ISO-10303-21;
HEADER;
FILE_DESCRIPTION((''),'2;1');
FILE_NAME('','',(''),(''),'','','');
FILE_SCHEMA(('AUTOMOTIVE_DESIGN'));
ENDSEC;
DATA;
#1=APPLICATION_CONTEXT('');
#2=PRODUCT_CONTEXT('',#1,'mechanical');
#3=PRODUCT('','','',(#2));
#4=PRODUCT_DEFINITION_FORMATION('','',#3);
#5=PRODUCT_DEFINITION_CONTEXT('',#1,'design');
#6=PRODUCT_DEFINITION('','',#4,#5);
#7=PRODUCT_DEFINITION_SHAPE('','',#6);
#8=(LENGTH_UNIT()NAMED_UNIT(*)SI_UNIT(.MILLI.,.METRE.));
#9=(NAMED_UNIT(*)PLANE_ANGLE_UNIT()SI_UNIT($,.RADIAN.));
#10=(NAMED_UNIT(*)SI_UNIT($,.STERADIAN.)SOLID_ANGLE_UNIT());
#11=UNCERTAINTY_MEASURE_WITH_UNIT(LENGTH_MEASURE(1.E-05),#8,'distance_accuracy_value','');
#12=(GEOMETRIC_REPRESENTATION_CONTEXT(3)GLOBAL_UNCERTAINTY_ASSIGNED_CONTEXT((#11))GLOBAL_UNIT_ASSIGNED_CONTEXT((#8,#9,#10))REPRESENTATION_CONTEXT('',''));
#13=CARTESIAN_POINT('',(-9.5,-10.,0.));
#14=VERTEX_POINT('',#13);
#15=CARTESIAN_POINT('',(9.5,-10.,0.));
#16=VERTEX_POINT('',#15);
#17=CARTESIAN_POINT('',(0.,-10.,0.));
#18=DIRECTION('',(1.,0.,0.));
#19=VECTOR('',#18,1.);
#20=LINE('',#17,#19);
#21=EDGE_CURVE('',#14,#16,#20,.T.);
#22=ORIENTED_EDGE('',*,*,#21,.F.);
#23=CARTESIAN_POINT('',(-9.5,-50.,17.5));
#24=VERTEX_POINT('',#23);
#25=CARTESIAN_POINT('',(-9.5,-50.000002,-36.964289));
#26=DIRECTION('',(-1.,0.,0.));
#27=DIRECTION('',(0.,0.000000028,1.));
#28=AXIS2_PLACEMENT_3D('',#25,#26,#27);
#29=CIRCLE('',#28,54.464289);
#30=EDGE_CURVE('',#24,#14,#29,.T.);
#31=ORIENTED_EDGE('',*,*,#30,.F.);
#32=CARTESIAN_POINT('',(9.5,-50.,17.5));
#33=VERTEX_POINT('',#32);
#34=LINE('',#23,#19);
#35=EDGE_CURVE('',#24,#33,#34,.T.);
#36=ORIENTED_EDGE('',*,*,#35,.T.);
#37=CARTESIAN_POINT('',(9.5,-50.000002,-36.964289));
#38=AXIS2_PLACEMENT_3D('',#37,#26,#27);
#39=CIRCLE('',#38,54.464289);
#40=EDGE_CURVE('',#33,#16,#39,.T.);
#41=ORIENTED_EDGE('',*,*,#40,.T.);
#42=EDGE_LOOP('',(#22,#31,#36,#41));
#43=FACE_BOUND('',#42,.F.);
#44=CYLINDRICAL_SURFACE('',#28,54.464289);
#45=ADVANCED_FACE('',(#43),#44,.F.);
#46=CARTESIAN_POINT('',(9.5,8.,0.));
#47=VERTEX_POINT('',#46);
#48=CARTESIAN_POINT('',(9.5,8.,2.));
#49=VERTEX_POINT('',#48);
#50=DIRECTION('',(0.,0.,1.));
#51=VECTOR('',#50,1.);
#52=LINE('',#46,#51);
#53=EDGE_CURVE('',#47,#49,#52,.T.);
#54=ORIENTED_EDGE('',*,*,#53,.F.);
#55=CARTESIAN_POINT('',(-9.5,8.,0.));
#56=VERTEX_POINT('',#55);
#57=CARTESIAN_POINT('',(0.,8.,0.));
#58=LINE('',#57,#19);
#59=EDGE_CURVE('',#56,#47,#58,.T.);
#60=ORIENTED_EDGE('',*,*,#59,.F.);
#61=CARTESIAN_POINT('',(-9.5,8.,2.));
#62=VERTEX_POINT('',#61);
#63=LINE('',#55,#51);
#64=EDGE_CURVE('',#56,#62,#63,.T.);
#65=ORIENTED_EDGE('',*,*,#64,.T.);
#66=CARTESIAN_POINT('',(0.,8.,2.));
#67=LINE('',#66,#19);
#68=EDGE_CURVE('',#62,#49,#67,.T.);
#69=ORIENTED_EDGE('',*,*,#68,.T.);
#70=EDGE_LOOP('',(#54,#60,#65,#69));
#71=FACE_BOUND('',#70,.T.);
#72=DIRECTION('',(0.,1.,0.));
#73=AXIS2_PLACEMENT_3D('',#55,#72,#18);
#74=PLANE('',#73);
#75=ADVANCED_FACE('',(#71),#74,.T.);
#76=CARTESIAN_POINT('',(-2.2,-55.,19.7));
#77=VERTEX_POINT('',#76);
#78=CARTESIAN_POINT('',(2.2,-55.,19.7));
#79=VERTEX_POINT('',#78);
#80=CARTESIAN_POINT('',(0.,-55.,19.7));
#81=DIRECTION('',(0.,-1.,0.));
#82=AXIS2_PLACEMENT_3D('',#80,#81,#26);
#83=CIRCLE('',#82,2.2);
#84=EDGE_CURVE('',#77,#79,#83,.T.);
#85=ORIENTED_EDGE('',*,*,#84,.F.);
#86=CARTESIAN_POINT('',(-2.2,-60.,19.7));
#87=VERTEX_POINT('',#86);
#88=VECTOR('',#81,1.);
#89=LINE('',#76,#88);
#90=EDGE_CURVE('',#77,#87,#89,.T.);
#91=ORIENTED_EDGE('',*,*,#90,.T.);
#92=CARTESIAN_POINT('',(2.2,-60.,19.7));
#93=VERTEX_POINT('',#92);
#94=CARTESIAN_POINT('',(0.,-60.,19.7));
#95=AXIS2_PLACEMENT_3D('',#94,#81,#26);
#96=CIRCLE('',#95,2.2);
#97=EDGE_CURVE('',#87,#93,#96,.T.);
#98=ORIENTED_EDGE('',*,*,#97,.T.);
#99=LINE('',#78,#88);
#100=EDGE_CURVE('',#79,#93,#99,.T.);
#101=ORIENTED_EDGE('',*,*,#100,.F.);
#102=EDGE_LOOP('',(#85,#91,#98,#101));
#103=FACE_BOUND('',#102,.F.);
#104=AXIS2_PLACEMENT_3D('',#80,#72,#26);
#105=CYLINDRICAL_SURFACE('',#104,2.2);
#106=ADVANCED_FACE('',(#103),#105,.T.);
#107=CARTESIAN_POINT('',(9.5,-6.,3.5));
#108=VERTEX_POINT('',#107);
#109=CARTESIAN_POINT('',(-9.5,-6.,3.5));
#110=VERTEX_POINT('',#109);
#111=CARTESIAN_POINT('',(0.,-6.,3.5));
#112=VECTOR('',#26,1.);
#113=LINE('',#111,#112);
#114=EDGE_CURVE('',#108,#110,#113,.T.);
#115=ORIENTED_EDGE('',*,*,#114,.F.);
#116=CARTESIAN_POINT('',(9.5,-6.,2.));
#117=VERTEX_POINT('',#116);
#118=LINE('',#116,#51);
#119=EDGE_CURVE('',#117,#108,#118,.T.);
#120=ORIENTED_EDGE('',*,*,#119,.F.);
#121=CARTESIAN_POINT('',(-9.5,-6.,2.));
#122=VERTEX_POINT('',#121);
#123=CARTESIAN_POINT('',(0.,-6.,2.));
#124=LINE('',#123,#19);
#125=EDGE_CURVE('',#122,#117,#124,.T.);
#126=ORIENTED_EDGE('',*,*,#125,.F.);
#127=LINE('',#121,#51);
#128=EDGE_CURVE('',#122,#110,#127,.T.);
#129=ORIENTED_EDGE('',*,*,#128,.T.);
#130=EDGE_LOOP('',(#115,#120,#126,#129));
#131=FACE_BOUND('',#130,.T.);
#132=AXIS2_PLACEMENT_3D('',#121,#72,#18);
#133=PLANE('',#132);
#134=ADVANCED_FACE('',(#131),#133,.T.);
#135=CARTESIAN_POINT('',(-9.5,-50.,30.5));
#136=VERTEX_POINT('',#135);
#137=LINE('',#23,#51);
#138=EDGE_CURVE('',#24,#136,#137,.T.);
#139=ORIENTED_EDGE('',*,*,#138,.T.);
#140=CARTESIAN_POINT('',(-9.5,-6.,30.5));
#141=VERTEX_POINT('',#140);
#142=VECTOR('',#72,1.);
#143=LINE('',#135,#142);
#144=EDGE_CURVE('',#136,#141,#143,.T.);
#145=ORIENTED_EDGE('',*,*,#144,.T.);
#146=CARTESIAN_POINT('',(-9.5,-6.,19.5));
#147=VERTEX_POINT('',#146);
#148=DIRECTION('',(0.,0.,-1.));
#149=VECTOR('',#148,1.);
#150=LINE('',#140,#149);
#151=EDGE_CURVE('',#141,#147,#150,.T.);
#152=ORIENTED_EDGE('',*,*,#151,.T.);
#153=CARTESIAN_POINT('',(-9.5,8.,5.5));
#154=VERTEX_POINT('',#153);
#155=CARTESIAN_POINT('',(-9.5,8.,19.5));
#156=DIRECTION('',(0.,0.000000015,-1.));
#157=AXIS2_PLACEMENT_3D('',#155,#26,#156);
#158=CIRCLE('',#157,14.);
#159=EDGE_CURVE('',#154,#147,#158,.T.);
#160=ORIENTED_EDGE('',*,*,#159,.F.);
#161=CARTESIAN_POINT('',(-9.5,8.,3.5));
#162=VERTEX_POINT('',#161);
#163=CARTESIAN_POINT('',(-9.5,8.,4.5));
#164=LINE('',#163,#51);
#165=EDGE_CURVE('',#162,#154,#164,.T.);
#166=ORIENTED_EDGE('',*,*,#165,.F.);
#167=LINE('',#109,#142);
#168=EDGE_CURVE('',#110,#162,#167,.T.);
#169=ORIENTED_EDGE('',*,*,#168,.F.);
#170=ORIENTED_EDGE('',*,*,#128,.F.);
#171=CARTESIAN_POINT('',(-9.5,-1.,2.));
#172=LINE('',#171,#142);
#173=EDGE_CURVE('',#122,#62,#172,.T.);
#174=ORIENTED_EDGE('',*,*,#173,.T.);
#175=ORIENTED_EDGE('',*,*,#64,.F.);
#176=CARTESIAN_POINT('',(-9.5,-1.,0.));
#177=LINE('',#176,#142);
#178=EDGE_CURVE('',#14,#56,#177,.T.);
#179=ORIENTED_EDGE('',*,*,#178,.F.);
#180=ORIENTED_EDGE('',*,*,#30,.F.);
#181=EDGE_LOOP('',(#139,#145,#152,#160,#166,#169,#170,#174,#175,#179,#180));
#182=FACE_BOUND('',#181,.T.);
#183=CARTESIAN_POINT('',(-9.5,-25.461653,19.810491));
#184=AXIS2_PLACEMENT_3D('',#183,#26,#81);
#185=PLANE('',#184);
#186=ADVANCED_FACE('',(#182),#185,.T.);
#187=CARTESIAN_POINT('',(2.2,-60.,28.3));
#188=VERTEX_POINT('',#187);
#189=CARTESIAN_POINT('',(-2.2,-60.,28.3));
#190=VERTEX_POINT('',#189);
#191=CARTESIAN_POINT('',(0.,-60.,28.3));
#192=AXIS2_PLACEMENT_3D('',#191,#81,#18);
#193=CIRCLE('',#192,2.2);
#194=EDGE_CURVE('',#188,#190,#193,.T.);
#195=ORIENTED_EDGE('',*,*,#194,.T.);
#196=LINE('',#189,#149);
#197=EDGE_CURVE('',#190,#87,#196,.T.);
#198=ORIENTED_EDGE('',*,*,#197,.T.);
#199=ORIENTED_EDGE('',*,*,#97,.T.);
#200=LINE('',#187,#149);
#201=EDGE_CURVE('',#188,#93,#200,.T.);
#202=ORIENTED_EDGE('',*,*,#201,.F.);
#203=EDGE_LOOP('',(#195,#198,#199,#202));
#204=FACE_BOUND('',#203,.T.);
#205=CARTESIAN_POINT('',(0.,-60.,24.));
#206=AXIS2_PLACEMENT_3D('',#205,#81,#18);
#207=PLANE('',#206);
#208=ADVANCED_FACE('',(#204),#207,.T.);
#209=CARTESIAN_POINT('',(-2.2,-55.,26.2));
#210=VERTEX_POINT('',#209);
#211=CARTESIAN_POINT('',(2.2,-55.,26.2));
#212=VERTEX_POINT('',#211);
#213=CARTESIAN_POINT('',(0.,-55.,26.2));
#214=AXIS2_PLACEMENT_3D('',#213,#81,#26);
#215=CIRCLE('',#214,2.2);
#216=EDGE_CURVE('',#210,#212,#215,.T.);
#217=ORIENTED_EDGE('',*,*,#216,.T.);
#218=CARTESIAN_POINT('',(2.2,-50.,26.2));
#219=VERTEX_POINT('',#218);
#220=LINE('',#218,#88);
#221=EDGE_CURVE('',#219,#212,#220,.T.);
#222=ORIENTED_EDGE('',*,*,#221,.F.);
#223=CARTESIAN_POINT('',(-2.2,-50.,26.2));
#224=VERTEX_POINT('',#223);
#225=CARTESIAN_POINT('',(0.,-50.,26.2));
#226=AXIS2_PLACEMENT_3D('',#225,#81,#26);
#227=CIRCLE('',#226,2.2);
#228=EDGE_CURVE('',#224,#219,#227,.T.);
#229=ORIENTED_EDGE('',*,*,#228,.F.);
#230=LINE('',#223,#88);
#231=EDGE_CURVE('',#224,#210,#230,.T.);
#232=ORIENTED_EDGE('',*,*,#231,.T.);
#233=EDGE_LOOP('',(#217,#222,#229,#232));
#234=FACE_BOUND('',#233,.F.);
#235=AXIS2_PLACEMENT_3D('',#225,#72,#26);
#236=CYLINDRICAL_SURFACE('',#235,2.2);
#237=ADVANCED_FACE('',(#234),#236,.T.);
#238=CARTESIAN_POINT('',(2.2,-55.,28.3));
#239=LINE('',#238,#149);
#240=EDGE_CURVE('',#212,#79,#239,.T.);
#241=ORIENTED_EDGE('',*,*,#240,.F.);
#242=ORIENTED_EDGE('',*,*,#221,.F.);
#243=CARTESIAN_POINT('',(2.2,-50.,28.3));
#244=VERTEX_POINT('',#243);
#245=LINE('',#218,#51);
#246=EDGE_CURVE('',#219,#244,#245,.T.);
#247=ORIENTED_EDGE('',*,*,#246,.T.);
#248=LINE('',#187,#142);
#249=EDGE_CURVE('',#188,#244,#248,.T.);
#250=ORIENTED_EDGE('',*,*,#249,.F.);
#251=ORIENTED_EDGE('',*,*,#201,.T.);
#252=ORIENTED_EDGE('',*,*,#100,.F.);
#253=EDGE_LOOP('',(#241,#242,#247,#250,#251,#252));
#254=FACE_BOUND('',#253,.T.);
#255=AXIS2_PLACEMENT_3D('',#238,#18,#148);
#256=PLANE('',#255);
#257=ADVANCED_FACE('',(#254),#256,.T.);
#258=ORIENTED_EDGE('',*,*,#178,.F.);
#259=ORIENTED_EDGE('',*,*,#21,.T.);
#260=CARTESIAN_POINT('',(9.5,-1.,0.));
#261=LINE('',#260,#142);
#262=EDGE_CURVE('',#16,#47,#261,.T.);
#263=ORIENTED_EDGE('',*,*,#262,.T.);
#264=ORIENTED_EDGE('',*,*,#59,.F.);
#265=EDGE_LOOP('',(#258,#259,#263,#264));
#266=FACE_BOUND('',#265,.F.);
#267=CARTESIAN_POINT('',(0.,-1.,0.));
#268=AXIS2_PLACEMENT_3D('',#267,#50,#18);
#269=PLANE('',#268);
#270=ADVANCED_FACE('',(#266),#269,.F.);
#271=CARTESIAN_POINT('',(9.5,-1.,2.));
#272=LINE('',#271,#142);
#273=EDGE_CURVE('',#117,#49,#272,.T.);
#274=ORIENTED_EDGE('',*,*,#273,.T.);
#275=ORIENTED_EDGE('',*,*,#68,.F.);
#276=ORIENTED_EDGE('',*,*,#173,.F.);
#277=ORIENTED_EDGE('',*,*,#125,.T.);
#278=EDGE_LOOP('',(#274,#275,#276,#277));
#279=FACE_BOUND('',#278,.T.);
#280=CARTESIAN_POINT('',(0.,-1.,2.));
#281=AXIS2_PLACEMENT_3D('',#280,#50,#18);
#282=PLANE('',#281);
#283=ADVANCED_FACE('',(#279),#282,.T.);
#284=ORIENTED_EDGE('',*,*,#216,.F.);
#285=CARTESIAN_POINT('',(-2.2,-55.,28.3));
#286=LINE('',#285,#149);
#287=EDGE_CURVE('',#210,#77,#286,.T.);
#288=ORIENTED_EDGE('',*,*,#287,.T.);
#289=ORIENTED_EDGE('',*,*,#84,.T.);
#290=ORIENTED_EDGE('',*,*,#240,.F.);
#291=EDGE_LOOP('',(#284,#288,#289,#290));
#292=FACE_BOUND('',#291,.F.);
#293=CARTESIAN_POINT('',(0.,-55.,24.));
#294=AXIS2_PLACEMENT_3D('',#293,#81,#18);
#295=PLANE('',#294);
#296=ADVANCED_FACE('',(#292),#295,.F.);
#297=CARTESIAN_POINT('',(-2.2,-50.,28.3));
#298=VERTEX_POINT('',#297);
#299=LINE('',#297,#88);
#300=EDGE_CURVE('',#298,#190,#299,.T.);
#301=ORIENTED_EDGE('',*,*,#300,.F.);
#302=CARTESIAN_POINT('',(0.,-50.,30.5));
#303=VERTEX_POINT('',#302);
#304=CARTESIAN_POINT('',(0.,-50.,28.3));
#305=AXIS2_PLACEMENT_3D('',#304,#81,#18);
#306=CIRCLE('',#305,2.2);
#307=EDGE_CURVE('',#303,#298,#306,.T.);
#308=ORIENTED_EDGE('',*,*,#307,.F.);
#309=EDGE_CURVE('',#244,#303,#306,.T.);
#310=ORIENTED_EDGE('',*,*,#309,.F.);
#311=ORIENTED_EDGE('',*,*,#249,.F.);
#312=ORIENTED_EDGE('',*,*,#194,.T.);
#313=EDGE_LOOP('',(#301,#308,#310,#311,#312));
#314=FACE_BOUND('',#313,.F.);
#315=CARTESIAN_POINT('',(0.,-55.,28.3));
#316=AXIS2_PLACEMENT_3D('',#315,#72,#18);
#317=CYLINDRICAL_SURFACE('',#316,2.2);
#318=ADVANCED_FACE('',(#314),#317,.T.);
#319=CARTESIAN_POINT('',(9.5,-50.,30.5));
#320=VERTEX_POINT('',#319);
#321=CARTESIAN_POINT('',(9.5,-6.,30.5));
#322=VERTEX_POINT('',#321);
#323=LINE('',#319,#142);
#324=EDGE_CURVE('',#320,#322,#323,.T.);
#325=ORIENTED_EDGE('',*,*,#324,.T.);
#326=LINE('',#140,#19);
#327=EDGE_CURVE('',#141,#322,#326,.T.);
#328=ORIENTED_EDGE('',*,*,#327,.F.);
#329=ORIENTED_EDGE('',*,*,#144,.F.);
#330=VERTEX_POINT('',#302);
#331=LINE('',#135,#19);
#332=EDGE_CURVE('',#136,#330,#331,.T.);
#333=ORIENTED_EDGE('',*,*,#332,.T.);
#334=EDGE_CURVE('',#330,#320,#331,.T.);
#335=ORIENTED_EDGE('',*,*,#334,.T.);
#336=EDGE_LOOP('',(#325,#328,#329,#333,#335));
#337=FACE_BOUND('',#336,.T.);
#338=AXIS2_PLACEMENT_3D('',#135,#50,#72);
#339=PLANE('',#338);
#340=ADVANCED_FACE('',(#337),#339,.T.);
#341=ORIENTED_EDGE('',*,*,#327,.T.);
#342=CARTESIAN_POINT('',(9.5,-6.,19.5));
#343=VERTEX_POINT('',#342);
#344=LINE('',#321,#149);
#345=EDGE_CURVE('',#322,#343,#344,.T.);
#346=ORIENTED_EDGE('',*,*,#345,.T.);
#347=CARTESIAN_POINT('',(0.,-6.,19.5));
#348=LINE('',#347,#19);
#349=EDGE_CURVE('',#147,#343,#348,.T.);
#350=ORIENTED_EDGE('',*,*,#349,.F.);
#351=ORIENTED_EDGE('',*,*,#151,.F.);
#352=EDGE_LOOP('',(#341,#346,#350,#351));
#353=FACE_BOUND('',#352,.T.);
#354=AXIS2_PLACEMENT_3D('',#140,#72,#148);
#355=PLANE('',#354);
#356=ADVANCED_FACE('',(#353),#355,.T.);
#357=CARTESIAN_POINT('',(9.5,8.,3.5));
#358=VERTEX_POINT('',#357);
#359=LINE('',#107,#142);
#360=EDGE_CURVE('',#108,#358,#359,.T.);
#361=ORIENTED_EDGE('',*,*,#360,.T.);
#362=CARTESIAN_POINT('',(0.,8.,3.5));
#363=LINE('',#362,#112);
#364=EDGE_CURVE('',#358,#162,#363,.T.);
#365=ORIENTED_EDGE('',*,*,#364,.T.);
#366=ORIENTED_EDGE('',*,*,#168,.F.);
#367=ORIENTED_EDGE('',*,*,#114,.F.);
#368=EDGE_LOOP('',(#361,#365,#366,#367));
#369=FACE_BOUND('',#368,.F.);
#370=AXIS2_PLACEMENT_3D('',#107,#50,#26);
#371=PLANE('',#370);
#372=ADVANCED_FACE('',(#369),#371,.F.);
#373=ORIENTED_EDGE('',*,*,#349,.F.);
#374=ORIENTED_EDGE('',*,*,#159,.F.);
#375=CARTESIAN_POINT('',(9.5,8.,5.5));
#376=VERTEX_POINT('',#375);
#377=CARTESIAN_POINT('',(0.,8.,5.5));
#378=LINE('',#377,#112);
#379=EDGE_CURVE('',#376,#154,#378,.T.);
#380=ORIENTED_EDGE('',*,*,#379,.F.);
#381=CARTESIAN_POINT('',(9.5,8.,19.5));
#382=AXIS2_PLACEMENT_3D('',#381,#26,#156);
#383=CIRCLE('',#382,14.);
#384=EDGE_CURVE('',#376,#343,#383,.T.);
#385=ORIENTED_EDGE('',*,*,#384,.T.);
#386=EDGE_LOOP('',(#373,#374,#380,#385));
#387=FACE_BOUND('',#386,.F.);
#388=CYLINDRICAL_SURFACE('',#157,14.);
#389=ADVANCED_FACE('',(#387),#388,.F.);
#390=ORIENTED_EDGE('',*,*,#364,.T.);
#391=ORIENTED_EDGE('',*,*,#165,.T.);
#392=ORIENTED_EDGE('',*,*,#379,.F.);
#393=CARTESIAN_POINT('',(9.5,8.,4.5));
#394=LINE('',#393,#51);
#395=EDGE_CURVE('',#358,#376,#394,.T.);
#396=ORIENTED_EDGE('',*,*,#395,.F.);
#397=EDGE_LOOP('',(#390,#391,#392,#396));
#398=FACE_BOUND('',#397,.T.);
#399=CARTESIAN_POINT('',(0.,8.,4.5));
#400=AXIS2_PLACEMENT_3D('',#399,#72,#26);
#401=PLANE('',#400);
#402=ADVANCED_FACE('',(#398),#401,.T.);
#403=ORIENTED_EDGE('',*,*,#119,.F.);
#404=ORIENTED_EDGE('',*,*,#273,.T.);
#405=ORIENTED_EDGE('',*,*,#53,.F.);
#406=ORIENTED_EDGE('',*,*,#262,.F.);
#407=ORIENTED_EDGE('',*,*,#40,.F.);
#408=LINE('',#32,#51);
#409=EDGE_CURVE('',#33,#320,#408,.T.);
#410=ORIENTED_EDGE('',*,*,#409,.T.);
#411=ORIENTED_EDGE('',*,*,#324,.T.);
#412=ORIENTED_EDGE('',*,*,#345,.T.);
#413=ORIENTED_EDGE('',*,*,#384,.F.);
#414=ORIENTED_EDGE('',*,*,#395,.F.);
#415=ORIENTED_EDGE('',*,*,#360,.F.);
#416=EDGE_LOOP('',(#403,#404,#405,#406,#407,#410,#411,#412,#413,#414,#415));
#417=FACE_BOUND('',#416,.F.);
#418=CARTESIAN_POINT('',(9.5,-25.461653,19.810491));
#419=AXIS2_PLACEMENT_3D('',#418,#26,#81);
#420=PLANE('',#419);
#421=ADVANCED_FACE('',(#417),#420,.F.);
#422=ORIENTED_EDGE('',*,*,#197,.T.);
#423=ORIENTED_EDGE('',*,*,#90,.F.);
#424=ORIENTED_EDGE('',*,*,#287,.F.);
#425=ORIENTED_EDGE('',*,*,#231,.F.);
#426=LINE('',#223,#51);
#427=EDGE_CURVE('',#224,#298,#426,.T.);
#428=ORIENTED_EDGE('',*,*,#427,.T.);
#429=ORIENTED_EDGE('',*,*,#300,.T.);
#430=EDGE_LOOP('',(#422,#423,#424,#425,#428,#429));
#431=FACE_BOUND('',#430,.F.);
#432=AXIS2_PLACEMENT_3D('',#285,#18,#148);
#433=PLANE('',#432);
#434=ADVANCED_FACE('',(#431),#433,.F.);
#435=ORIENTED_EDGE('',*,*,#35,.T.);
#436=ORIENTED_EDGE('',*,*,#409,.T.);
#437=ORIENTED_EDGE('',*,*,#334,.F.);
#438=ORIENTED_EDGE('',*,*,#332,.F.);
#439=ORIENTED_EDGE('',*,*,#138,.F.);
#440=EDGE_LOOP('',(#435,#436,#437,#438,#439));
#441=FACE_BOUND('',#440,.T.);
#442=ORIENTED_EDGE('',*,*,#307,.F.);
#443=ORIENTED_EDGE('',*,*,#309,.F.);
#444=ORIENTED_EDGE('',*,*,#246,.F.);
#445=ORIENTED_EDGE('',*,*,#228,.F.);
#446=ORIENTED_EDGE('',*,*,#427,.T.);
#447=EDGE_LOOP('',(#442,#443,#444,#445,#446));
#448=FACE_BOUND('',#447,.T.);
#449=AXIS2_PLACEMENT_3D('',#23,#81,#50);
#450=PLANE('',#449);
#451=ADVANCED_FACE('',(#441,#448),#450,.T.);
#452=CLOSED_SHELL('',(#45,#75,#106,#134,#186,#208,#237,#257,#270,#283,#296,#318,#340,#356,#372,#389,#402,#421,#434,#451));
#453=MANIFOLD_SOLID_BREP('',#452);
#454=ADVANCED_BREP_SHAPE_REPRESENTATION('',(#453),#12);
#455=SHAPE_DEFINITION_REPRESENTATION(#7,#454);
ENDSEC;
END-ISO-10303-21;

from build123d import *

# Parameters (mm, degrees)
SKETCH_W     = 19
SKETCH_H     = 18
PAD_DEPTH    = 2
SKETCH001_W  = 19
SKETCH001_H  = 4
PAD001_DEPTH = 3.5
SKETCH002_W  = 19
SKETCH002_H  = 2
PAD002_DEPTH = 14
SKETCH003_W  = 19
SKETCH003_H  = 4
PAD003_DEPTH = 14
PAD004_DEPTH = 19
PAD005_DEPTH = 19
PAD006_DEPTH = 5
PAD007_DEPTH = 5


with BuildPart() as part:
    # Sketch → Pad (new body)
    with BuildSketch(Plane.XY):
        with Locations((0, -1)):
            Rectangle(SKETCH_W, SKETCH_H)
    extrude(amount=PAD_DEPTH)

    # Sketch001 (on Face6 of Pad) → Pad001 (join)
    with BuildSketch(Plane.XY.offset(2)):
        with Locations((0, -8)):
            Rectangle(SKETCH001_W, SKETCH001_H)
    extrude(amount=PAD001_DEPTH)

    # Sketch002 (on Face4 of Pad001) → Pad002 (join)
    with BuildSketch(Plane(origin=(0, -6, 0), x_dir=(-1, 0, 0), z_dir=(0, 1, 0))):
        with Locations((0, 4.5)):
            Rectangle(SKETCH002_W, SKETCH002_H)
    extrude(amount=PAD002_DEPTH)

    # Sketch003 (on Face10 of Pad002) → Pad003 (join)
    with BuildSketch(Plane.XY.offset(5.5)):
        with Locations((0, -8)):
            Rectangle(SKETCH003_W, SKETCH003_H)
    extrude(amount=PAD003_DEPTH)

    # Sketch004 (on Face11 of Pad003) → Pad004 (join)
    with BuildSketch(Plane(origin=(-9.5, 0, 0), x_dir=(0, -1, 0), z_dir=(-1, 0, 0))):
        with BuildLine():
            Line((-8, 5.5), (6, 5.5))
            Line((6, 19.5), (6, 5.5))
            ThreePointArc((-8, 5.5), (1.899495, 9.600505), (6, 19.5))
        make_face()
    extrude(amount=-PAD004_DEPTH)

    # Sketch005 (on Face11 of Pad004) → Pad005 (join)
    with BuildSketch(Plane(origin=(-9.5, 0, 0), x_dir=(0, -1, 0), z_dir=(-1, 0, 0))):
        with BuildLine():
            Line((10, 30.5), (6, 30.5))
            Line((6, 30.5), (6, 19.5))
            Line((6, 19.5), (10, 19.5))
            Line((10, 19.5), (10, 0))
            ThreePointArc((50, 17.5), (28.169689, 12.933569), (10, 0))
            Line((50, 17.5), (50, 30.5))
            Line((50, 30.5), (10, 30.5))
        make_face()
    extrude(amount=-PAD005_DEPTH)

    # Sketch006 (on Face10 of Pad005) → Pad006 (join)
    with BuildSketch(Plane.XZ.offset(50)):
        with BuildLine():
            ThreePointArc((-2.2, 26.2), (0, 24), (2.2, 26.2))
            Line((2.2, 26.2), (2.2, 28.3))
            ThreePointArc((2.2, 28.3), (0, 30.5), (-2.2, 28.3))
            Line((-2.2, 26.2), (-2.2, 28.3))
        make_face()
    extrude(amount=PAD006_DEPTH)

    # Sketch007 (on Face18 of Pad006) → Pad007 (join)
    with BuildSketch(Plane.XZ.offset(55)):
        with BuildLine():
            ThreePointArc((2.2, 28.3), (0, 30.5), (-2.2, 28.3))
            Line((-2.2, 28.3), (-2.2, 19.7))
            ThreePointArc((-2.2, 19.7), (0, 17.5), (2.2, 19.7))
            Line((2.2, 28.3), (2.2, 19.7))
        make_face()
    extrude(amount=PAD007_DEPTH)


solid = part.part
